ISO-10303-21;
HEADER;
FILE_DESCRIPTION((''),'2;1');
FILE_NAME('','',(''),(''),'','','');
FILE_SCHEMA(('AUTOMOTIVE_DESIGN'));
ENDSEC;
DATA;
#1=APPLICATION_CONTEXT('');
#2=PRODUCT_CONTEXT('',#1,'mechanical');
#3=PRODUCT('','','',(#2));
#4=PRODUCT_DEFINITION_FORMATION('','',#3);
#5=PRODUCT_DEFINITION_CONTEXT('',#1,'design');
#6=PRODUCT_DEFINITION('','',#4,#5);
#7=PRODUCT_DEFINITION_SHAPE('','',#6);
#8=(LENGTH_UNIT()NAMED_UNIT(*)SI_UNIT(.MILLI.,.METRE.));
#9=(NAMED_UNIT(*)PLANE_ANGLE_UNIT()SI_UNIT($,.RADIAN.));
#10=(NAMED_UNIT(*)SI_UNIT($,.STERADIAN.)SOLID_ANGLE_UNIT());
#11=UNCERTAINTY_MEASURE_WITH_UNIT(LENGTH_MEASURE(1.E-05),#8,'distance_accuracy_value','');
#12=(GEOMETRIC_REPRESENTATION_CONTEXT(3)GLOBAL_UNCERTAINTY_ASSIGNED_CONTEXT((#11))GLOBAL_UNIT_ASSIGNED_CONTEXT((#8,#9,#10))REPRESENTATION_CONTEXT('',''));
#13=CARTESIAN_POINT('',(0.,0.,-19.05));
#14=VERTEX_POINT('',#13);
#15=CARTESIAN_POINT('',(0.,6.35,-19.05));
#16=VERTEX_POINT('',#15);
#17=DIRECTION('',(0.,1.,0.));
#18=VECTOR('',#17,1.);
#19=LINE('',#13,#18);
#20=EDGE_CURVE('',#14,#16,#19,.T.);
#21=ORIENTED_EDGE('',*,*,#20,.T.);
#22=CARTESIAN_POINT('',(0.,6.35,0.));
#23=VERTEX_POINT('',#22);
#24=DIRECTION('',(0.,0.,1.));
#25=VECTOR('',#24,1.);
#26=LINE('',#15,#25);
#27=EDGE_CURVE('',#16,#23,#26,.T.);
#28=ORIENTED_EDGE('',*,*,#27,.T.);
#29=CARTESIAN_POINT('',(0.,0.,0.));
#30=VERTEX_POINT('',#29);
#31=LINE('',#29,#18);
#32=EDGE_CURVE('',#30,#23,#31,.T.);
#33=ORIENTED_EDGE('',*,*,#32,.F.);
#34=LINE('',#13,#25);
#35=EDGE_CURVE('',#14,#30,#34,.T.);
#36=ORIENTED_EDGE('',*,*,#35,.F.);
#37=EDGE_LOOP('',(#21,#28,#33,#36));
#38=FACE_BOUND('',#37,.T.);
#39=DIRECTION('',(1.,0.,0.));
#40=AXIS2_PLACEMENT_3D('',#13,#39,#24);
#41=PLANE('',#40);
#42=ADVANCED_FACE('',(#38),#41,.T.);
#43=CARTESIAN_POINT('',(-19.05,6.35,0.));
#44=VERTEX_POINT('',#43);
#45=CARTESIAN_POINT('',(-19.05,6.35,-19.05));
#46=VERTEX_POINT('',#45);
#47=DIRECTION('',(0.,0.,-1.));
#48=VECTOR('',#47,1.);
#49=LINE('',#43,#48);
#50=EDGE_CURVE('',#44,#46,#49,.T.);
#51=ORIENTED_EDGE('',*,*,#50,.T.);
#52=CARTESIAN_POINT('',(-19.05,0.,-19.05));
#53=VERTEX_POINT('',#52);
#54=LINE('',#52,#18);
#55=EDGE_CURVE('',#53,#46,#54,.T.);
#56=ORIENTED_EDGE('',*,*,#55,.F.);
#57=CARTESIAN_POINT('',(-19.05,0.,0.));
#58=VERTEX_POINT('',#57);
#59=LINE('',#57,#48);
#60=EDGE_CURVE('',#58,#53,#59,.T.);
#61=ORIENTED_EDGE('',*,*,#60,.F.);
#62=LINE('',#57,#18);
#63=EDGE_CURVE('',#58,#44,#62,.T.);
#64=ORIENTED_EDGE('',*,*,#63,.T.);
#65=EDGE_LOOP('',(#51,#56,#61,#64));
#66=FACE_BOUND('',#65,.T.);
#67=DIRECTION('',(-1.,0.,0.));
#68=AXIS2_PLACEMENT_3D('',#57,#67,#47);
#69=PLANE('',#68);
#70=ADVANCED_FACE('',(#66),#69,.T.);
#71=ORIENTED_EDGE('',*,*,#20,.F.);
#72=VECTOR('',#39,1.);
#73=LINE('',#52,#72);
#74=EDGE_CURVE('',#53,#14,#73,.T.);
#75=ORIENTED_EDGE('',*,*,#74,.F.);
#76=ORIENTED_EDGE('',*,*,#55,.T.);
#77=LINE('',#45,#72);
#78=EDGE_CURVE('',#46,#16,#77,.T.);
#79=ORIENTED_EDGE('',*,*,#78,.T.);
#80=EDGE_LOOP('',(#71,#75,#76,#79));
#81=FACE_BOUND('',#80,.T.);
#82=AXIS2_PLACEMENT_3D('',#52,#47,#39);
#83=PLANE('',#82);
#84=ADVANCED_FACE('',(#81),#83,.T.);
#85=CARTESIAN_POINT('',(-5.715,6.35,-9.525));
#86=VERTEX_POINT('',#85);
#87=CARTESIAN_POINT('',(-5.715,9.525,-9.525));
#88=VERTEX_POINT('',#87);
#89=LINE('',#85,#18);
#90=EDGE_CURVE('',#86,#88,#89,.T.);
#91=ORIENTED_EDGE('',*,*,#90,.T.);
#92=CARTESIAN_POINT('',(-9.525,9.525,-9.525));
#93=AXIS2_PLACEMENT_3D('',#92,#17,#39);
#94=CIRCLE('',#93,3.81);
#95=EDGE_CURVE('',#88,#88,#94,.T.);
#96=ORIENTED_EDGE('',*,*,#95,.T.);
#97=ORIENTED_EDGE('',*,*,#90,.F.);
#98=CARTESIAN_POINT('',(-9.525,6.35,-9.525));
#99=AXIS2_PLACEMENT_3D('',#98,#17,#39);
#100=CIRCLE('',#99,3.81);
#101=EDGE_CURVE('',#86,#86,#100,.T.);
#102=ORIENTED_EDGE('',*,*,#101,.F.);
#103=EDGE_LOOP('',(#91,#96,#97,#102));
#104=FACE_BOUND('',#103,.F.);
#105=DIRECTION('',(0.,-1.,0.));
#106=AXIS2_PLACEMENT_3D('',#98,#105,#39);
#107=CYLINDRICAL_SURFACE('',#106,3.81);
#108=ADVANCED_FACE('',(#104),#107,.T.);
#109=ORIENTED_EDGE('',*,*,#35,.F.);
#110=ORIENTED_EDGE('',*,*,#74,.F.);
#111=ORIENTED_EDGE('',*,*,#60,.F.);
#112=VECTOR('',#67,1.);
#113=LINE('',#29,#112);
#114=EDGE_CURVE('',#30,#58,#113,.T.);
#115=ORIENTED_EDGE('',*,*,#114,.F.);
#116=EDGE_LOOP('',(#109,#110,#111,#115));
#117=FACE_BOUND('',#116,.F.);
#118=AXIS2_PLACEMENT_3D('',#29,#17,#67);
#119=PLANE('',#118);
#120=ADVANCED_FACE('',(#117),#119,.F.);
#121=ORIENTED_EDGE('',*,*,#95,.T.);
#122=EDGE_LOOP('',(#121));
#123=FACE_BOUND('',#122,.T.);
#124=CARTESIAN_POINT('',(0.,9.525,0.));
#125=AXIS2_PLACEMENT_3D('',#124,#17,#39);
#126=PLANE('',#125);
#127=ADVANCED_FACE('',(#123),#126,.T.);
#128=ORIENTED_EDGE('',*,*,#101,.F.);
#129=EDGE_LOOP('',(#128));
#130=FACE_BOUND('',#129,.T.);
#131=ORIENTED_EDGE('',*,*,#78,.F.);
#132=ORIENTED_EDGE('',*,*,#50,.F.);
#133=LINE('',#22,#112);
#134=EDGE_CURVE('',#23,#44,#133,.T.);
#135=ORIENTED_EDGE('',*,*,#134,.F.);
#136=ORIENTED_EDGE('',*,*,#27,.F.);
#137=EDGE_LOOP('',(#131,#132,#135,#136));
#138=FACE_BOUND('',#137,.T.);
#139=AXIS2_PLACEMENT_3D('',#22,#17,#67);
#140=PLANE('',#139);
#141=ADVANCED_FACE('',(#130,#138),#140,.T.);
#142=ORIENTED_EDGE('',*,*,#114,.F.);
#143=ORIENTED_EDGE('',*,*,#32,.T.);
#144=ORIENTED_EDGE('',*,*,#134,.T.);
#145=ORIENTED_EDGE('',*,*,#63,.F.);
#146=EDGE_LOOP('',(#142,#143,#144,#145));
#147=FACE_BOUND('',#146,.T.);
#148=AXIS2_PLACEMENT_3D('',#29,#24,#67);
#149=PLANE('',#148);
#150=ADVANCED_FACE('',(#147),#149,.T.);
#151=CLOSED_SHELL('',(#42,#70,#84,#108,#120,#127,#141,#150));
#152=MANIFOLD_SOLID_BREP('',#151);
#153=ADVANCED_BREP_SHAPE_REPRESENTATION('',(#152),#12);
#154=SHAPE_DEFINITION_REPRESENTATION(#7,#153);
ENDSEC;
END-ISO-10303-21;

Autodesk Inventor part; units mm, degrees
ref_plane "YZ Plane" through (0, 0, 0) normal (1, 0, 0) x (0, 1, 0)
ref_plane "XZ Plane" through (0, 0, 0) normal (0, 1, 0) x (-1, 0, 0)
ref_plane "XY Plane" through (0, 0, 0) normal (0, 0, 1) x (1, 0, 0)
sketch "Sketch1" plane through (0, 0, 0) normal (0, 1, 0) x (-1, 0, 0)
  line L0 (0, 0) -> (19.05, 0)
  line L1 (19.05, 0) -> (19.05, -19.05)
  line L2 (19.05, -19.05) -> (0, -19.05)
  line L3 (0, -19.05) -> (0, 0)
  dimension "d0" = 19.05
  dimension "d1" = 19.05
extrude "Extrusion1" add sketch "Sketch1" along normal blind 6.35
sketch "Sketch2" plane through (0, 6.35, 0) normal (0, 1, 0) x (1, 0, 0)
  line L0 (-19.05, 19.05) -> (-19.05, 0) projected
  line L1 (0, 0) -> (0, 19.05) projected
  circle A0 centre (-9.525, 9.525) radius 3.81
  dimension "d4" = 7.62
extrude "Extrusion2" add sketch "Sketch2" along normal blind 3.175
